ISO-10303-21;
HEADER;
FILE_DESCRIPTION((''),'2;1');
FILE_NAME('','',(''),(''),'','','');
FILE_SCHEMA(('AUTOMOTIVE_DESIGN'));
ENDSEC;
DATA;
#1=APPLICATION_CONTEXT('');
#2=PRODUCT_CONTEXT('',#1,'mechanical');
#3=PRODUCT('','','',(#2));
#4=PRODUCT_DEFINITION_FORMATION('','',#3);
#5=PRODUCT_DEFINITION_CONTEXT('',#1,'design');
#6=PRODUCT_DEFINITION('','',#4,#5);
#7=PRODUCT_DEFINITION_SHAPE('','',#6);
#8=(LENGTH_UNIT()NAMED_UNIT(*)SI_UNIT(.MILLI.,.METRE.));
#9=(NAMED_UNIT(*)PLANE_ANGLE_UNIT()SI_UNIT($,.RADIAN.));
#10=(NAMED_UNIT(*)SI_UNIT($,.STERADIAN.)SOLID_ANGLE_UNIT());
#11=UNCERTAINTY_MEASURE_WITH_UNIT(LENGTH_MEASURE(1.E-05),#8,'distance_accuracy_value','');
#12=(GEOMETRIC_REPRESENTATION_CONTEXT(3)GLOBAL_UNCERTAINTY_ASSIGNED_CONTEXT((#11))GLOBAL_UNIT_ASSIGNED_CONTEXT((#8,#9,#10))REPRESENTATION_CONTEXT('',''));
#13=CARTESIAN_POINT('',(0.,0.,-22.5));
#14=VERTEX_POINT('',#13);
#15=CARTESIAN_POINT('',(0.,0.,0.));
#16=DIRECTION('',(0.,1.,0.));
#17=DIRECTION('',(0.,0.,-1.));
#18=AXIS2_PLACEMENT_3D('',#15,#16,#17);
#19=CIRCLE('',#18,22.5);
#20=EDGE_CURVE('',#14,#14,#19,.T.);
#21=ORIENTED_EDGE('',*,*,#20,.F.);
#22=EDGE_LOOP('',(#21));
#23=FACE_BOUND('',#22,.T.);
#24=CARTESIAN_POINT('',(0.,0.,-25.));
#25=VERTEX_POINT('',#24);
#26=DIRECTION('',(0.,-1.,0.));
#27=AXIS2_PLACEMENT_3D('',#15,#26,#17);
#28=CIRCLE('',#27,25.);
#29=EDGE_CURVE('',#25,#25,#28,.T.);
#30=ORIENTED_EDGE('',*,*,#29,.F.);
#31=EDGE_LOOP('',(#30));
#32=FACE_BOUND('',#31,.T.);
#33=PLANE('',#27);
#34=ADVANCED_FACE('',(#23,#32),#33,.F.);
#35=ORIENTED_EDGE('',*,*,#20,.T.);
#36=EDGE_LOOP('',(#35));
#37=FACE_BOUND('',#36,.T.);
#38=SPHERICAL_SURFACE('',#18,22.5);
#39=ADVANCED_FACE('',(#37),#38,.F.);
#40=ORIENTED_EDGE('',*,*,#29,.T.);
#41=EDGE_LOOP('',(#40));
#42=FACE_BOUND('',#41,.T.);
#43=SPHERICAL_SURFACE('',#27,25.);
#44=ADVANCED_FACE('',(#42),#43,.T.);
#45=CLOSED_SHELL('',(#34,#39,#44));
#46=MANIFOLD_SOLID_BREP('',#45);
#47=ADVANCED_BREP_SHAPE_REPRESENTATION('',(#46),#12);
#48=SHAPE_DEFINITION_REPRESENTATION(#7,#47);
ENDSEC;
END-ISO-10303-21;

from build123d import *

# Parameters (mm, degrees)
REVOLVE_1_ANGLE = 180


with BuildPart() as part:
    # 草图1 → 旋转1 (revolve)
    with BuildSketch(Plane(origin=(0, 0, 0), x_dir=(1, 0, 0), z_dir=(0, 1, 0))):
        with BuildLine():
            Line((-25, 0), (-22.5, 0))
            ThreePointArc((-22.5, 0), (0, 22.5), (22.5, 0))
            Line((22.5, 0), (25, 0))
            ThreePointArc((25, 0), (0, 25), (-25, 0))
        make_face()
    revolve(axis=Axis((25, 0, 0), (-1, 0, 0)), revolution_arc=REVOLVE_1_ANGLE)


solid = part.part
